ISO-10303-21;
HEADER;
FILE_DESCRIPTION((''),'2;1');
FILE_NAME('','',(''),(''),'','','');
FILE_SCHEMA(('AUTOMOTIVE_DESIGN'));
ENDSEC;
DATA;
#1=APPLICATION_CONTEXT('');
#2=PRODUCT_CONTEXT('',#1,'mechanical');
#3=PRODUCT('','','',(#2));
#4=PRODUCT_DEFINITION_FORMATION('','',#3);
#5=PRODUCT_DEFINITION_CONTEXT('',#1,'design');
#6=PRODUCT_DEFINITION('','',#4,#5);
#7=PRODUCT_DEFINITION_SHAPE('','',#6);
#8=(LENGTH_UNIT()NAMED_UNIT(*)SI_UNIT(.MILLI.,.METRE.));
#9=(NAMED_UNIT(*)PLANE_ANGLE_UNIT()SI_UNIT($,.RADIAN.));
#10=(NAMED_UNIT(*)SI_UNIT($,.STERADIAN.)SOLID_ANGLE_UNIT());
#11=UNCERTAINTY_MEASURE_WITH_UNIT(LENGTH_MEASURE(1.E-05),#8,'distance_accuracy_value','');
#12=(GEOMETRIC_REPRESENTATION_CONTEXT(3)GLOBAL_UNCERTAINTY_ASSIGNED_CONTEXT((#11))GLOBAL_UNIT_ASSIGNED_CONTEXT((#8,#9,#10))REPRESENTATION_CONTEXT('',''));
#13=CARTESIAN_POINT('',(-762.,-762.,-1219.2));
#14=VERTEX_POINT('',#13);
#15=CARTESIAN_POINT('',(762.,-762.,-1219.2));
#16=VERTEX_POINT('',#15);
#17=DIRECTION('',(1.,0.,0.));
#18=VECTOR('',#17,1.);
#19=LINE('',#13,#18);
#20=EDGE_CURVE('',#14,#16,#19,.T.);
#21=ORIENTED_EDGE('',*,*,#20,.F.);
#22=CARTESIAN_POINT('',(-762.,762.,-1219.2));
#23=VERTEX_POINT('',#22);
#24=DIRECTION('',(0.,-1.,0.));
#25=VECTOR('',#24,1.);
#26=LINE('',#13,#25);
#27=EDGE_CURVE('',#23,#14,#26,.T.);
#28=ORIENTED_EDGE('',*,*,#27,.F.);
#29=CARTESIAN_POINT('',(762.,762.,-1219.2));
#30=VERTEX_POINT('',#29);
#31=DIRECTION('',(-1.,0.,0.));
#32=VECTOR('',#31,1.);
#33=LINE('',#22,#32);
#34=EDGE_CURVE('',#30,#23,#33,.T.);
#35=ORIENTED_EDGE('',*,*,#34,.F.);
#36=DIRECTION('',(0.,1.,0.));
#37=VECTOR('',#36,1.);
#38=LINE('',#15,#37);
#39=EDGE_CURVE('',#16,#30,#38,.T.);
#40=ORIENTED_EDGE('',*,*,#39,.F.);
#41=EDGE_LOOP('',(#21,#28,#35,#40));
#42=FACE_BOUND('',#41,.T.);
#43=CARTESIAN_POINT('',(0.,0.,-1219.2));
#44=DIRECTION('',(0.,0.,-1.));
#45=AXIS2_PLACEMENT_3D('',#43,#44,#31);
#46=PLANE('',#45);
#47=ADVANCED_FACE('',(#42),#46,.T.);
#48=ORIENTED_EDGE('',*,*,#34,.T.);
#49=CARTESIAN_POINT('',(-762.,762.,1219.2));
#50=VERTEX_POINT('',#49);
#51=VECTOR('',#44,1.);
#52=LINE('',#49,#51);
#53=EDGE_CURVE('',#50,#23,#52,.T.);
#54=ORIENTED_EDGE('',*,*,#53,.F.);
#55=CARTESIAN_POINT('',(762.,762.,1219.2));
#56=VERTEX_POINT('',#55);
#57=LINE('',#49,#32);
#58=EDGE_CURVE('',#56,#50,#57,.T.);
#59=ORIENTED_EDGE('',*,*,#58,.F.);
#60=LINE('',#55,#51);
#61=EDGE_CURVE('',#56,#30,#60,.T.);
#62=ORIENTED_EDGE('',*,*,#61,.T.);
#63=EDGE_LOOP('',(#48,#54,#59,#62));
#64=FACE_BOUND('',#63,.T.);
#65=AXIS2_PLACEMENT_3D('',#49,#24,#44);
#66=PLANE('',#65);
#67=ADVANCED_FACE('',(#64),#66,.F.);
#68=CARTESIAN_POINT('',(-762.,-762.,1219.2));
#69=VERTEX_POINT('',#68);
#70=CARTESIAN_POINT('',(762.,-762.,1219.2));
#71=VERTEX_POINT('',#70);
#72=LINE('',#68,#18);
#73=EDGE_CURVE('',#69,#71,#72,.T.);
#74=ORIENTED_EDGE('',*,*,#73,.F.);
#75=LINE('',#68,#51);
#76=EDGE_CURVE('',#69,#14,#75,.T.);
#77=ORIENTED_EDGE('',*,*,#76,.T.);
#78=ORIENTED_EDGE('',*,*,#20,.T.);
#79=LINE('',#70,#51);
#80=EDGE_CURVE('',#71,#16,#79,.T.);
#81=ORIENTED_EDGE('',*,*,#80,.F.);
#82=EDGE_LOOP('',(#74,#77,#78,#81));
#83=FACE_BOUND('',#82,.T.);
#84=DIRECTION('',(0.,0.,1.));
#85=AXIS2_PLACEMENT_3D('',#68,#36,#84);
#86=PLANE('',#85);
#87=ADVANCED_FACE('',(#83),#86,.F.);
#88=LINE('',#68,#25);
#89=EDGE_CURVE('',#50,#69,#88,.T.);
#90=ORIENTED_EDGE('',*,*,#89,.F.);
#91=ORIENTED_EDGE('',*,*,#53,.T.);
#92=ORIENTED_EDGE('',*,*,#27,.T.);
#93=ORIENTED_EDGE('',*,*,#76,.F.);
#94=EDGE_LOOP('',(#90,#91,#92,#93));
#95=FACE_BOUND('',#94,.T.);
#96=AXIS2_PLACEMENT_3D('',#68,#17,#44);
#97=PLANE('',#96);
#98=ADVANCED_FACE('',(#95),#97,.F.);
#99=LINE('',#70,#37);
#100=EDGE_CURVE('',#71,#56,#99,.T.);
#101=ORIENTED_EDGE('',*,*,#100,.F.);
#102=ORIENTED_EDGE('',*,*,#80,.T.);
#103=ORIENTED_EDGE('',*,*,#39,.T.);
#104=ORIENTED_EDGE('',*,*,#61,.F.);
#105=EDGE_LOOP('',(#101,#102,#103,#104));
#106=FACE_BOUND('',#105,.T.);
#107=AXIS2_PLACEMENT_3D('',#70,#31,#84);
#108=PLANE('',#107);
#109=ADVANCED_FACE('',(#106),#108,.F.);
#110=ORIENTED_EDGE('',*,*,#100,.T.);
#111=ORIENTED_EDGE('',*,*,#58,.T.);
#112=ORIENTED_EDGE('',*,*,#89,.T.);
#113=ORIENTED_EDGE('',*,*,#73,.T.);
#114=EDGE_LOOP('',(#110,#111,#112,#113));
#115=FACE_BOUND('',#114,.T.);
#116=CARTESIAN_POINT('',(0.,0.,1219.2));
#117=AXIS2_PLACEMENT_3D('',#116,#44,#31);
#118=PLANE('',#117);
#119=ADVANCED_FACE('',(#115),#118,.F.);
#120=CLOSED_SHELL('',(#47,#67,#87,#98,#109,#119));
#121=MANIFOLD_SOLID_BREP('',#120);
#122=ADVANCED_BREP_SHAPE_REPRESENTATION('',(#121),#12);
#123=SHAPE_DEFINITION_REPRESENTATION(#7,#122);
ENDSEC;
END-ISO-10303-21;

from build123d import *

# Parameters (mm, degrees)
SKETCH1_W                                    = 1524
SKETCH1_H                                    = 1524
ILLUMINANCE_PLANE_2_12_2019_5_16_28_PM_DEPTH = 1219.2


with BuildPart() as part:
    # Sketch1 → Illuminance Plane 2-12-2019 5_16_28 PM (new, symmetric)
    with BuildSketch(Plane.XY):
        Rectangle(SKETCH1_W, SKETCH1_H)
    extrude(amount=ILLUMINANCE_PLANE_2_12_2019_5_16_28_PM_DEPTH, both=True)


solid = part.part
